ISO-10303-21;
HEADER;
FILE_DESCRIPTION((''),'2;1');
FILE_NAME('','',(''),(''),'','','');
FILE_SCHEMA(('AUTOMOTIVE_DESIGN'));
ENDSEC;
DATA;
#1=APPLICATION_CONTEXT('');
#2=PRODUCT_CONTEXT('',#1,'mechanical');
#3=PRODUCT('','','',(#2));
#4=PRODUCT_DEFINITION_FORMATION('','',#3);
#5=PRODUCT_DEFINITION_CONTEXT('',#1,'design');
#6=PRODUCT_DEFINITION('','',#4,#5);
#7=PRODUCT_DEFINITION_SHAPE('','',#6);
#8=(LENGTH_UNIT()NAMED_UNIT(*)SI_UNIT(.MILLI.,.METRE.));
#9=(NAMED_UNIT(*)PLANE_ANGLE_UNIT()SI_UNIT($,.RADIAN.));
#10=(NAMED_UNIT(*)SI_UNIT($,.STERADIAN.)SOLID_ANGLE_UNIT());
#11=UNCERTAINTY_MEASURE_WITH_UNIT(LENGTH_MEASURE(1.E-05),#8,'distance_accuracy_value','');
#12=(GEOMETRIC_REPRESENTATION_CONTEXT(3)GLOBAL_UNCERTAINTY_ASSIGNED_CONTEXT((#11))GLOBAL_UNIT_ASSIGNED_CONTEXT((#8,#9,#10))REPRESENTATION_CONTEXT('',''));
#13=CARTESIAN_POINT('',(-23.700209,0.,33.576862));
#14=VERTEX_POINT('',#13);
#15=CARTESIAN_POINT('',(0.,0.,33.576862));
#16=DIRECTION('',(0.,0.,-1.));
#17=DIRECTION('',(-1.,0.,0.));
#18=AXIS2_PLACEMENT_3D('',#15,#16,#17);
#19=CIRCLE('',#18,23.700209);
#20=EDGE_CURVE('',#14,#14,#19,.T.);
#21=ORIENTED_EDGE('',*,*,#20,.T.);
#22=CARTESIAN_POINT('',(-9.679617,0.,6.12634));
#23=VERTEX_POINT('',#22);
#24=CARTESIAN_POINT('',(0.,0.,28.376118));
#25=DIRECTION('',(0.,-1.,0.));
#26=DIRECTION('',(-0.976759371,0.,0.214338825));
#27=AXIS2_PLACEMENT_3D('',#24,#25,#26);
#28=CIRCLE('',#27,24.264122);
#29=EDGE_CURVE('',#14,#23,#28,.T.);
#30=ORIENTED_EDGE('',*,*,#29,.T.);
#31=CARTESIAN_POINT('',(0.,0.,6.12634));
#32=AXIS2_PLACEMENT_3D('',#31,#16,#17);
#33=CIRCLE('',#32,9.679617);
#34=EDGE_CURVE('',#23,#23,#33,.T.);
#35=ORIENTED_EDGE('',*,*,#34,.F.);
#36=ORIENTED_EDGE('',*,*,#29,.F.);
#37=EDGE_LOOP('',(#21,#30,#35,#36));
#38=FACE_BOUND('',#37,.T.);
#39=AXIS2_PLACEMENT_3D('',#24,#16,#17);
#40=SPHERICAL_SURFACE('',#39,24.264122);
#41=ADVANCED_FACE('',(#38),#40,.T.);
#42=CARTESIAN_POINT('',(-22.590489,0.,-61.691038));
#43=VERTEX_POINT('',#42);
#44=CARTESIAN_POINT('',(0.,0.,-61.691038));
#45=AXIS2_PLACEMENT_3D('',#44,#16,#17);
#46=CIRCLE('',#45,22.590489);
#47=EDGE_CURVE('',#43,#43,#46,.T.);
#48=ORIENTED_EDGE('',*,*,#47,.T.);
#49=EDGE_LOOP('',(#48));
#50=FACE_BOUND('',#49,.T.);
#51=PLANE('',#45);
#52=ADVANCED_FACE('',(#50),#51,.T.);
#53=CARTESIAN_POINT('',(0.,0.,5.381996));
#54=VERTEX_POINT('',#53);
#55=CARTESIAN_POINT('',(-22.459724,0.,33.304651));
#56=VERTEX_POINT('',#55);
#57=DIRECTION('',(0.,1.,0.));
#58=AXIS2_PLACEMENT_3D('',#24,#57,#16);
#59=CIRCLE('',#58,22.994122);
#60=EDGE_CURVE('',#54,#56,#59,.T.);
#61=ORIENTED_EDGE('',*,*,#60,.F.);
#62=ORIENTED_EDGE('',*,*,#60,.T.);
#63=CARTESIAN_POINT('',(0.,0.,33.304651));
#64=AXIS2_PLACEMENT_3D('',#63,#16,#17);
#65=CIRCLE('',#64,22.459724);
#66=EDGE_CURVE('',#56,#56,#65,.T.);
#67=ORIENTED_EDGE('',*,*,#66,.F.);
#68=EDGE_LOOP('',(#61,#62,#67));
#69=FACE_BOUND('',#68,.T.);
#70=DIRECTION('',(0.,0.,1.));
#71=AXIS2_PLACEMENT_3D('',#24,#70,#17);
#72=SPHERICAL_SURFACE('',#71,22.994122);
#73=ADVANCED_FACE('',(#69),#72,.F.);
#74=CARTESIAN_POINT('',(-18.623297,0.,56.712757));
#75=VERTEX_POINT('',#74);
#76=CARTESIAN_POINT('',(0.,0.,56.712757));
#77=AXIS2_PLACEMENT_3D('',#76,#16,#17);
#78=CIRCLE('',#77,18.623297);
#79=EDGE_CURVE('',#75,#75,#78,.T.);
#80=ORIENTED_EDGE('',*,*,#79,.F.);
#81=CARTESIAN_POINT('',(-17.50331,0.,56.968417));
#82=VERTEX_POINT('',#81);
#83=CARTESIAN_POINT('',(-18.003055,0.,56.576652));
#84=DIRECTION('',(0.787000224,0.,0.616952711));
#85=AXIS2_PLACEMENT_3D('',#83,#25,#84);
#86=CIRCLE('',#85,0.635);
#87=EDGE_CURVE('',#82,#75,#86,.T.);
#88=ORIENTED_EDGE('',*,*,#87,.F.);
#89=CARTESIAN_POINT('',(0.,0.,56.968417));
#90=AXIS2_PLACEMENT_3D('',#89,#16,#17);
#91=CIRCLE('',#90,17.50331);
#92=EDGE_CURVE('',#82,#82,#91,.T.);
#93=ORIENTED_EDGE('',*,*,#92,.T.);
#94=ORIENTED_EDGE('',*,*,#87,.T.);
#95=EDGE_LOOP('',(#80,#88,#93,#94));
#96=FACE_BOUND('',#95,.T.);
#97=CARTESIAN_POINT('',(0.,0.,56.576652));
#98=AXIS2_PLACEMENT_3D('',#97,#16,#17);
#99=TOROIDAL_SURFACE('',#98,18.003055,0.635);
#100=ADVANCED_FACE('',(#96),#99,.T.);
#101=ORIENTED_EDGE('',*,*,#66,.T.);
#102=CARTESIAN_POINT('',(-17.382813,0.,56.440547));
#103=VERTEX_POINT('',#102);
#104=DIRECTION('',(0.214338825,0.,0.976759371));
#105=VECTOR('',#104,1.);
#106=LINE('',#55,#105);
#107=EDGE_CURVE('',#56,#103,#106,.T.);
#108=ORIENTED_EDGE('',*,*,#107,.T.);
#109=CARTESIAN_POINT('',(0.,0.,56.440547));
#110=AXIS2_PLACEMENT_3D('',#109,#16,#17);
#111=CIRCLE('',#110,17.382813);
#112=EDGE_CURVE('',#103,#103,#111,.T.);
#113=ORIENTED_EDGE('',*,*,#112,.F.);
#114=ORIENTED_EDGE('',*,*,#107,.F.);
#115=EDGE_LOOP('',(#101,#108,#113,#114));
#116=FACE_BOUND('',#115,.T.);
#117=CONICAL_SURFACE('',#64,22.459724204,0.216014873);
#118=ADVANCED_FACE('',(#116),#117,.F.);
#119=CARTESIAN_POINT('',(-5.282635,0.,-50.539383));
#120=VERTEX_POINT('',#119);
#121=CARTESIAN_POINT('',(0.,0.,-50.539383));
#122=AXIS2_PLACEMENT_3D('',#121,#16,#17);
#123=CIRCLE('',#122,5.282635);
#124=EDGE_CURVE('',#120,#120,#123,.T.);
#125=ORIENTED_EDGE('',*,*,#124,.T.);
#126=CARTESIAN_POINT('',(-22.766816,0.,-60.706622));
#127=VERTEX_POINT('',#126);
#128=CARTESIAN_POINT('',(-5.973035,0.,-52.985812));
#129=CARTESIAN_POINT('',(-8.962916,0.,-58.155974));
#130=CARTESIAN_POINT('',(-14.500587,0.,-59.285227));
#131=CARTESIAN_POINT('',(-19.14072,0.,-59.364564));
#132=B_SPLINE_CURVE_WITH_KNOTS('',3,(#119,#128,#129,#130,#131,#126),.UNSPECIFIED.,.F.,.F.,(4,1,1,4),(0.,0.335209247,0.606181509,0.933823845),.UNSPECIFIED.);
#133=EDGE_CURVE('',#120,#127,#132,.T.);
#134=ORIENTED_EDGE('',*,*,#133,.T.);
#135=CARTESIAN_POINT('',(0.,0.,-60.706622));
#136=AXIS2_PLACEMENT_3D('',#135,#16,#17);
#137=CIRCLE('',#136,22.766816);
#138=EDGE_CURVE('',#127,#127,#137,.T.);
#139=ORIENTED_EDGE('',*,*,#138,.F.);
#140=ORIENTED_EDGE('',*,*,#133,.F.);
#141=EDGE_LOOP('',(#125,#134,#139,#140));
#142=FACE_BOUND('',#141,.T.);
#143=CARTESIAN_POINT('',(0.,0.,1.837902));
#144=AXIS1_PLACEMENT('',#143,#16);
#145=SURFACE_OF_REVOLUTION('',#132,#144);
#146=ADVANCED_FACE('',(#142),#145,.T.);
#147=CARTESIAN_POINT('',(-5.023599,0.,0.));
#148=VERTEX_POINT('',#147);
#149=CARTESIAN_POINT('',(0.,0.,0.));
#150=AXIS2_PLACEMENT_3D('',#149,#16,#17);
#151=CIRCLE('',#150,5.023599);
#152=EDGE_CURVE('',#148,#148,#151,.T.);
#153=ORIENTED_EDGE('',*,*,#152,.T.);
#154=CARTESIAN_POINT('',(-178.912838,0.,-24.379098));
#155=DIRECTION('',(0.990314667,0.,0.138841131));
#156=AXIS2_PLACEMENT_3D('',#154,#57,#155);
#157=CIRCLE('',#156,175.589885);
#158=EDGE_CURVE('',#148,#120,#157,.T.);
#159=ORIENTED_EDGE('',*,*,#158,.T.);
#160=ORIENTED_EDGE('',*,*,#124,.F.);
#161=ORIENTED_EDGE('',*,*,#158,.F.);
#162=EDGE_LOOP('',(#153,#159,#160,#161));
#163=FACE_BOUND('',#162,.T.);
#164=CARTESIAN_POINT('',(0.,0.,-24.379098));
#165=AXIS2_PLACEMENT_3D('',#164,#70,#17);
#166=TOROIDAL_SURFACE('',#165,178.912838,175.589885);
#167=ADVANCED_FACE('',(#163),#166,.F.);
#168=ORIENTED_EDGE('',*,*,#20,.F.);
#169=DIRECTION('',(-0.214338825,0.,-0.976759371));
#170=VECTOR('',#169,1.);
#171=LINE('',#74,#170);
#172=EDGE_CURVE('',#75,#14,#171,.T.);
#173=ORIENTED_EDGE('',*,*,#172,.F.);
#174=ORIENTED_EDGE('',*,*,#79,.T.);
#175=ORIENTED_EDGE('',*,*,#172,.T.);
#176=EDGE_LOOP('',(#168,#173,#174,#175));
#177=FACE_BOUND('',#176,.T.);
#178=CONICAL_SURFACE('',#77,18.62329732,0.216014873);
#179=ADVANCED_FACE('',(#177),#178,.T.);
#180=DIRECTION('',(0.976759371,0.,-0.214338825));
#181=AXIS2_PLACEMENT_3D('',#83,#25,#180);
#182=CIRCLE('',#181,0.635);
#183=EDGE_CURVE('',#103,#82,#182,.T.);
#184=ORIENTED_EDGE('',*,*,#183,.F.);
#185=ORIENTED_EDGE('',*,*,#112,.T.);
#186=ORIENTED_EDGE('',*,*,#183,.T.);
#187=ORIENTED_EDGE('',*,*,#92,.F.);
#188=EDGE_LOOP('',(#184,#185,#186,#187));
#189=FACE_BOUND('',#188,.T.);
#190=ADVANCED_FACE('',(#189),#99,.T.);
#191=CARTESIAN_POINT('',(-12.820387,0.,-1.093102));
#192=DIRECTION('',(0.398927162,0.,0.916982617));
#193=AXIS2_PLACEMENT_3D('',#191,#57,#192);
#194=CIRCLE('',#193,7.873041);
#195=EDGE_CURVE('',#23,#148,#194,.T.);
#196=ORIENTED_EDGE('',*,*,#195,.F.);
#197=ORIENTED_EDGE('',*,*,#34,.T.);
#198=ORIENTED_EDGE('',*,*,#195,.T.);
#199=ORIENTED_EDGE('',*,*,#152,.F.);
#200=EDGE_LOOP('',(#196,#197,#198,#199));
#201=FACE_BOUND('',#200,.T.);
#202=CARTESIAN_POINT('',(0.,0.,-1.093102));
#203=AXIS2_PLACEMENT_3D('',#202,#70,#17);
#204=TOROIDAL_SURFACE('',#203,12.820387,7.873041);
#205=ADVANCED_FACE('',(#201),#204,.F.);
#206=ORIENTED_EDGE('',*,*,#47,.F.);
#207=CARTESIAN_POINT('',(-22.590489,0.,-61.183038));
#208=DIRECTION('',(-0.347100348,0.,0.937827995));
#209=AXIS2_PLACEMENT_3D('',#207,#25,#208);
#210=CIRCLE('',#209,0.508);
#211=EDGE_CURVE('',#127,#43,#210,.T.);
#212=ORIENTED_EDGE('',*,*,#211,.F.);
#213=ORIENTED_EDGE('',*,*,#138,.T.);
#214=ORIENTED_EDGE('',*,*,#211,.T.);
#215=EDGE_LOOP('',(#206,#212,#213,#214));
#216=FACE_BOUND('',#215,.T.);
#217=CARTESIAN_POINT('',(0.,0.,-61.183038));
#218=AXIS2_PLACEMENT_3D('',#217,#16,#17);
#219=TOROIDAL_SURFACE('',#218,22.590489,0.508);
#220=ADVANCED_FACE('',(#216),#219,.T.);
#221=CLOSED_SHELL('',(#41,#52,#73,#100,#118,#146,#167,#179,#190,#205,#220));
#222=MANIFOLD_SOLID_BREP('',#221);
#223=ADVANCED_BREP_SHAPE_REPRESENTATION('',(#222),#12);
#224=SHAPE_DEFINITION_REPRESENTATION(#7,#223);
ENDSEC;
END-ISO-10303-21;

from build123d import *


with BuildPart() as f1:
    # F0 (on Front) → F1 (revolve)
    with BuildSketch(Plane.XZ):
        with BuildLine():
            ThreePointArc((-5.0235991366, 0), (-3.3252590071, -25.2790601688), (-5.2826352076, -50.5393832195))
            add(Edge.make_bspline(
                [(-5.2826352076, -50.5393832195), (-5.9730349475, -52.9858123073), (-8.9629161239, -58.1559739194), (-14.5005874945, -59.2852273154), (-19.1407195146, -59.364564083), (-22.7668155497, -60.7066216889)],
                knots=[0, 0, 0, 0, 0.335209247, 0.6061815094, 0.9338238449, 0.9338238449, 0.9338238449, 0.9338238449], degree=3))
            ThreePointArc((-22.7668155497, -60.7066216889), (-23.0905303933, -61.2726049232), (-22.5904885731, -61.6910383105))
            Line((-22.5904885731, -61.6910383105), (0, -61.6910383105))
            Line((0, -61.6910383105), (0, 5.3819960904))
            ThreePointArc((0, 5.3819960904), (-17.9172673991, 13.9642765429), (-22.4597242045, 33.3046512804))
            Line((-22.4597242045, 33.3046512804), (-17.3828129193, 56.4405468137))
            ThreePointArc((-17.3828129193, 56.4405468137), (-17.3839794948, 56.7179685301), (-17.5033099774, 56.9684169392))
            ThreePointArc((-17.5033099774, 56.9684169392), (-18.144371682, 57.1957275926), (-18.6232973199, 56.7127571218))
            Line((-18.6232973199, 56.7127571218), (-23.7002086051, 33.5768615886))
            ThreePointArc((-23.7002086051, 33.5768615886), (-21.6087014664, 17.3392870526), (-9.6796173602, 6.126340013))
            ThreePointArc((-9.6796173602, 6.126340013), (-6.552169475, 3.67074345), (-5.0235991366, 0))
        make_face()
    revolve(axis=Axis((0, 0, 1.8379017711), (0, 0, -1)))


solid = f1.part
